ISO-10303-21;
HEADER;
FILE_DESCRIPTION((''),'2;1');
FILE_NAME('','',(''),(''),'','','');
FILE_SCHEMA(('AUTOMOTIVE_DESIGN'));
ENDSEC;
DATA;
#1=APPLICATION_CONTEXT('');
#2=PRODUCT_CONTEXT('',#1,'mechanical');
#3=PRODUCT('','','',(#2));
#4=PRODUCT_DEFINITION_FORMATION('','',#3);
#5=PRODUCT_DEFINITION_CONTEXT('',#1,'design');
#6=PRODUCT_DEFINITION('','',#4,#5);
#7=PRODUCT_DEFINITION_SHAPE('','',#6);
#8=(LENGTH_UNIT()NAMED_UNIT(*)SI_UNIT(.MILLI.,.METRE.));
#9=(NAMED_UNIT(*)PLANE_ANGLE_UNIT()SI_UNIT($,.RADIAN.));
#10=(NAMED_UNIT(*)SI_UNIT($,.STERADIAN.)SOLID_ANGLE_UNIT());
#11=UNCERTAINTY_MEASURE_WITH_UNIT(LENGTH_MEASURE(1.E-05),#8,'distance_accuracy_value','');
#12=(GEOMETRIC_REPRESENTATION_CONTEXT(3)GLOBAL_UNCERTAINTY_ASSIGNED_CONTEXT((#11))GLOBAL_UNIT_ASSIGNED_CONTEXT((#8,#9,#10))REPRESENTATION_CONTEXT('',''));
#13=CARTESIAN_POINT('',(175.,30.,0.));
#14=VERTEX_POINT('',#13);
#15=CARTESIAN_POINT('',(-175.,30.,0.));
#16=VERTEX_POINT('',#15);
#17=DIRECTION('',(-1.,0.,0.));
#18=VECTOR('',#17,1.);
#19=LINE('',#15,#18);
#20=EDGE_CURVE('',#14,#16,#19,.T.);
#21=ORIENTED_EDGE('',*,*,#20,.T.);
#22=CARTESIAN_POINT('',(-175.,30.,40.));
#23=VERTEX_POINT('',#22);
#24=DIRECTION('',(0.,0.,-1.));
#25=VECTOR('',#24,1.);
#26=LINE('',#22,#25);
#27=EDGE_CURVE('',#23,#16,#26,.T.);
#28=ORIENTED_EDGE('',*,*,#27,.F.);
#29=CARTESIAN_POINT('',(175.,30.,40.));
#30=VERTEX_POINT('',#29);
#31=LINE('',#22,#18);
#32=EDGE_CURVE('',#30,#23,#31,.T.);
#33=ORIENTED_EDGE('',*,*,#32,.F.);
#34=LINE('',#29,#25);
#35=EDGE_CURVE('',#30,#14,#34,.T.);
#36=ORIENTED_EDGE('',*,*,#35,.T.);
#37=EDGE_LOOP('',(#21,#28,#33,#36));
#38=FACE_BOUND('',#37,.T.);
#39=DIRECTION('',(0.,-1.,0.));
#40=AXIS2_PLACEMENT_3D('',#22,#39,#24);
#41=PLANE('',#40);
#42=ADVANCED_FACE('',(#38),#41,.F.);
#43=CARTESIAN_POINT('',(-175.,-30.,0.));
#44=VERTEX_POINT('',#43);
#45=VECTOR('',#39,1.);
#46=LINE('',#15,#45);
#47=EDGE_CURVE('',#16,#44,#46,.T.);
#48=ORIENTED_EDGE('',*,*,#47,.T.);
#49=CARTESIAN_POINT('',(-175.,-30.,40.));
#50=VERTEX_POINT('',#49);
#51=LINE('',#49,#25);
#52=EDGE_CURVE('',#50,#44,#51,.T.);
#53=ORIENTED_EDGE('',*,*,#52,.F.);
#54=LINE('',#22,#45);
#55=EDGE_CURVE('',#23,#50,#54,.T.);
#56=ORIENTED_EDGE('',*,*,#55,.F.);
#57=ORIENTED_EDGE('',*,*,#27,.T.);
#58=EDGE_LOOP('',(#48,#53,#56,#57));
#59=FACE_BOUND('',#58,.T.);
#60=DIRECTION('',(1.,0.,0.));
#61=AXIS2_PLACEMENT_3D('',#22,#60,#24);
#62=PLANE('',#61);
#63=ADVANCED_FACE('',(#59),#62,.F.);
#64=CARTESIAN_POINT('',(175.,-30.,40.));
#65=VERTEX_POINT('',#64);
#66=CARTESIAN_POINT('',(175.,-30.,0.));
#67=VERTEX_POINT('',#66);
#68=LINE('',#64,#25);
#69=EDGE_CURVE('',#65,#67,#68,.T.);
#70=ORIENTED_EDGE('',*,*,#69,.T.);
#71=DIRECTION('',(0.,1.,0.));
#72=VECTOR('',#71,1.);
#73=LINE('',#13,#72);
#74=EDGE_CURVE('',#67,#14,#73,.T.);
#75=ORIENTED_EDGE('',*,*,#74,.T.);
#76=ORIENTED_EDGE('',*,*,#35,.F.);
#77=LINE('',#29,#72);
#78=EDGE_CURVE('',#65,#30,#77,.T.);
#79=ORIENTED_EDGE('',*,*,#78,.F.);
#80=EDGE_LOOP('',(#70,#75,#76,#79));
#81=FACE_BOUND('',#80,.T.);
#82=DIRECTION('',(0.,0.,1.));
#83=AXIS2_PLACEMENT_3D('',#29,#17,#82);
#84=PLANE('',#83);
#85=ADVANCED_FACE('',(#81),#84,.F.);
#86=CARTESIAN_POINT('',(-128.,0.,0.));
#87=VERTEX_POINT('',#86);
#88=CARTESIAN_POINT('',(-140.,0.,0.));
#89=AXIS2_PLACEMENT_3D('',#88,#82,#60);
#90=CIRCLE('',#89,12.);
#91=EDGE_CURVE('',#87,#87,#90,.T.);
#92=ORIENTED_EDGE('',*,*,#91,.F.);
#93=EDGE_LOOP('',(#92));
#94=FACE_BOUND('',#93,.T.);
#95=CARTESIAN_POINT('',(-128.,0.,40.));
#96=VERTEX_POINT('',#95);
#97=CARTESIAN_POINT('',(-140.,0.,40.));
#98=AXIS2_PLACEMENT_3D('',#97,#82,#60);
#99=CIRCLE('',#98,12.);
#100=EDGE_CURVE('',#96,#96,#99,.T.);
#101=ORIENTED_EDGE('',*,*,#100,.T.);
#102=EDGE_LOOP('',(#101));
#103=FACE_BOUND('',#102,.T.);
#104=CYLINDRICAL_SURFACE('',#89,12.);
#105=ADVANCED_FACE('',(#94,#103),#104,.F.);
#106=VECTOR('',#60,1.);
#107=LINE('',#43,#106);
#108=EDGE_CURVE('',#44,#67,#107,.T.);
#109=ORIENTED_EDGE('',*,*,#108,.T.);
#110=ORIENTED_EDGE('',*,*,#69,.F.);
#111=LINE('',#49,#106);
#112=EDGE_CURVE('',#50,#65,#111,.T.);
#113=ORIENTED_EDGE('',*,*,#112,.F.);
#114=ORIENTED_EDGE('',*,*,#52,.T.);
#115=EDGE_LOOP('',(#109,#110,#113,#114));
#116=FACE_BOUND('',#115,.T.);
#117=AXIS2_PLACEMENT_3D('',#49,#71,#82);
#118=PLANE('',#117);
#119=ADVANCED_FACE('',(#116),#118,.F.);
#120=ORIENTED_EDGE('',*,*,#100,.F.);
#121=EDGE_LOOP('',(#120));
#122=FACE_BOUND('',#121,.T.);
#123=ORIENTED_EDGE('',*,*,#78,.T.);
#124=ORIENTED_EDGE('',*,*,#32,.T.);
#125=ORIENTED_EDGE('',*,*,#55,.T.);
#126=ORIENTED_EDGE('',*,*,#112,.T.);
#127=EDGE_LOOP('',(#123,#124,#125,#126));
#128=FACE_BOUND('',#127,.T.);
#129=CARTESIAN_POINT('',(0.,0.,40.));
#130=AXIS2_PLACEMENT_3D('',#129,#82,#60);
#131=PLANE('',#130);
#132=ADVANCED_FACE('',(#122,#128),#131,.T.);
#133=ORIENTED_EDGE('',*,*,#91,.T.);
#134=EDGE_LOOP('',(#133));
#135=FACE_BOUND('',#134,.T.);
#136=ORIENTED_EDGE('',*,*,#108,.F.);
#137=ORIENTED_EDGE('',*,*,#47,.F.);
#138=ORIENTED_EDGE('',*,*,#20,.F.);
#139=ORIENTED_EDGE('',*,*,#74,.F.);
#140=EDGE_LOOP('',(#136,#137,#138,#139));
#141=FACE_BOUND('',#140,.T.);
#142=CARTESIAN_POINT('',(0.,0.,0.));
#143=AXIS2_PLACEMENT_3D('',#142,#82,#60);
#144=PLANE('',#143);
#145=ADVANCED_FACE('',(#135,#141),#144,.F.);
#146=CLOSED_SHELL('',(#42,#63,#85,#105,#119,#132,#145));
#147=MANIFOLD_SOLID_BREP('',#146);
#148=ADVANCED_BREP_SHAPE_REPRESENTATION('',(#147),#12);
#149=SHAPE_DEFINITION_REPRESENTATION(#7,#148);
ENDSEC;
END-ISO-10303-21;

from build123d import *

# Parameters (mm, degrees)
SKETCH_8_W          = 350
SKETCH_8_H          = 60
EXTRUDE_1_DEPTH     = 40
SKETCH_9_R          = 12
CUT_EXTRUDE_1_DEPTH = 183.002747232


with BuildPart() as part:
    # 草图8 → 凸台-拉伸1 (new body)
    with BuildSketch(Plane.XY):
        Rectangle(SKETCH_8_W, SKETCH_8_H)
    extrude(amount=EXTRUDE_1_DEPTH)

    # 草图9 → 切除-拉伸1 (cut, through all)
    with BuildSketch(Plane.XY.offset(40)):
        with Locations((-140, 0)):
            Circle(SKETCH_9_R)
    extrude(amount=-CUT_EXTRUDE_1_DEPTH, mode=Mode.SUBTRACT)


solid = part.part
